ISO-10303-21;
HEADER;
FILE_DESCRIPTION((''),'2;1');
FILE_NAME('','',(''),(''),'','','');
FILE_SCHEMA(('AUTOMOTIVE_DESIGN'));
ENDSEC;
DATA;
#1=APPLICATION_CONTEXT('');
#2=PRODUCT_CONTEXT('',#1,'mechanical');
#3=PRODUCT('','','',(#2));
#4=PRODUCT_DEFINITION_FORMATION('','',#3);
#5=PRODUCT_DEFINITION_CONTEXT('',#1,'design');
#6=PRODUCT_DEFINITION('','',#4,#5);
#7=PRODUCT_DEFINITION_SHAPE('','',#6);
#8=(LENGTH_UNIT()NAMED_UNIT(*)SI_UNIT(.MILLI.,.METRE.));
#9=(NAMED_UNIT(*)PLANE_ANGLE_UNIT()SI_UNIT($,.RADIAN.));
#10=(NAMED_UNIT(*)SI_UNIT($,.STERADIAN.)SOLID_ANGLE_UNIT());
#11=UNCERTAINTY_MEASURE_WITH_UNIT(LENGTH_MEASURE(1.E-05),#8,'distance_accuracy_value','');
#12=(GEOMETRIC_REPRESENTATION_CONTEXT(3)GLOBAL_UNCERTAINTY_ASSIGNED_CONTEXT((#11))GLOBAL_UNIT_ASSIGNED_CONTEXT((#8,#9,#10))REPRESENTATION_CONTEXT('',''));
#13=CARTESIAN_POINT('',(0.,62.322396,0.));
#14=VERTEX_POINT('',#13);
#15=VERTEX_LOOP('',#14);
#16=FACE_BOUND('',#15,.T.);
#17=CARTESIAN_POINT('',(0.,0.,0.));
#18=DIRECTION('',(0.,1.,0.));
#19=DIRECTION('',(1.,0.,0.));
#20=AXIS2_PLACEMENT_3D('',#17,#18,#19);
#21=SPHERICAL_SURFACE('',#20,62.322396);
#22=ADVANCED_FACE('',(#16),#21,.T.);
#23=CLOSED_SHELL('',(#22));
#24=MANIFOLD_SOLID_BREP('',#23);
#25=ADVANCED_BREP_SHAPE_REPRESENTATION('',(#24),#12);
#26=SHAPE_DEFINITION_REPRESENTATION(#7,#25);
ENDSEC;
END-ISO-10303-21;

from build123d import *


with BuildPart() as part:
    # Sketch1 → Revolve1 (revolve)
    with BuildSketch(Plane.XY):
        with BuildLine():
            Line((0, 62.32239593), (0, -62.32239593))
            ThreePointArc((0, -62.32239593), (-62.32239593, 0), (0, 62.32239593))
        make_face()
    revolve(axis=Axis((0, 62.32239593, 0), (0, -1, 0)))


solid = part.part
